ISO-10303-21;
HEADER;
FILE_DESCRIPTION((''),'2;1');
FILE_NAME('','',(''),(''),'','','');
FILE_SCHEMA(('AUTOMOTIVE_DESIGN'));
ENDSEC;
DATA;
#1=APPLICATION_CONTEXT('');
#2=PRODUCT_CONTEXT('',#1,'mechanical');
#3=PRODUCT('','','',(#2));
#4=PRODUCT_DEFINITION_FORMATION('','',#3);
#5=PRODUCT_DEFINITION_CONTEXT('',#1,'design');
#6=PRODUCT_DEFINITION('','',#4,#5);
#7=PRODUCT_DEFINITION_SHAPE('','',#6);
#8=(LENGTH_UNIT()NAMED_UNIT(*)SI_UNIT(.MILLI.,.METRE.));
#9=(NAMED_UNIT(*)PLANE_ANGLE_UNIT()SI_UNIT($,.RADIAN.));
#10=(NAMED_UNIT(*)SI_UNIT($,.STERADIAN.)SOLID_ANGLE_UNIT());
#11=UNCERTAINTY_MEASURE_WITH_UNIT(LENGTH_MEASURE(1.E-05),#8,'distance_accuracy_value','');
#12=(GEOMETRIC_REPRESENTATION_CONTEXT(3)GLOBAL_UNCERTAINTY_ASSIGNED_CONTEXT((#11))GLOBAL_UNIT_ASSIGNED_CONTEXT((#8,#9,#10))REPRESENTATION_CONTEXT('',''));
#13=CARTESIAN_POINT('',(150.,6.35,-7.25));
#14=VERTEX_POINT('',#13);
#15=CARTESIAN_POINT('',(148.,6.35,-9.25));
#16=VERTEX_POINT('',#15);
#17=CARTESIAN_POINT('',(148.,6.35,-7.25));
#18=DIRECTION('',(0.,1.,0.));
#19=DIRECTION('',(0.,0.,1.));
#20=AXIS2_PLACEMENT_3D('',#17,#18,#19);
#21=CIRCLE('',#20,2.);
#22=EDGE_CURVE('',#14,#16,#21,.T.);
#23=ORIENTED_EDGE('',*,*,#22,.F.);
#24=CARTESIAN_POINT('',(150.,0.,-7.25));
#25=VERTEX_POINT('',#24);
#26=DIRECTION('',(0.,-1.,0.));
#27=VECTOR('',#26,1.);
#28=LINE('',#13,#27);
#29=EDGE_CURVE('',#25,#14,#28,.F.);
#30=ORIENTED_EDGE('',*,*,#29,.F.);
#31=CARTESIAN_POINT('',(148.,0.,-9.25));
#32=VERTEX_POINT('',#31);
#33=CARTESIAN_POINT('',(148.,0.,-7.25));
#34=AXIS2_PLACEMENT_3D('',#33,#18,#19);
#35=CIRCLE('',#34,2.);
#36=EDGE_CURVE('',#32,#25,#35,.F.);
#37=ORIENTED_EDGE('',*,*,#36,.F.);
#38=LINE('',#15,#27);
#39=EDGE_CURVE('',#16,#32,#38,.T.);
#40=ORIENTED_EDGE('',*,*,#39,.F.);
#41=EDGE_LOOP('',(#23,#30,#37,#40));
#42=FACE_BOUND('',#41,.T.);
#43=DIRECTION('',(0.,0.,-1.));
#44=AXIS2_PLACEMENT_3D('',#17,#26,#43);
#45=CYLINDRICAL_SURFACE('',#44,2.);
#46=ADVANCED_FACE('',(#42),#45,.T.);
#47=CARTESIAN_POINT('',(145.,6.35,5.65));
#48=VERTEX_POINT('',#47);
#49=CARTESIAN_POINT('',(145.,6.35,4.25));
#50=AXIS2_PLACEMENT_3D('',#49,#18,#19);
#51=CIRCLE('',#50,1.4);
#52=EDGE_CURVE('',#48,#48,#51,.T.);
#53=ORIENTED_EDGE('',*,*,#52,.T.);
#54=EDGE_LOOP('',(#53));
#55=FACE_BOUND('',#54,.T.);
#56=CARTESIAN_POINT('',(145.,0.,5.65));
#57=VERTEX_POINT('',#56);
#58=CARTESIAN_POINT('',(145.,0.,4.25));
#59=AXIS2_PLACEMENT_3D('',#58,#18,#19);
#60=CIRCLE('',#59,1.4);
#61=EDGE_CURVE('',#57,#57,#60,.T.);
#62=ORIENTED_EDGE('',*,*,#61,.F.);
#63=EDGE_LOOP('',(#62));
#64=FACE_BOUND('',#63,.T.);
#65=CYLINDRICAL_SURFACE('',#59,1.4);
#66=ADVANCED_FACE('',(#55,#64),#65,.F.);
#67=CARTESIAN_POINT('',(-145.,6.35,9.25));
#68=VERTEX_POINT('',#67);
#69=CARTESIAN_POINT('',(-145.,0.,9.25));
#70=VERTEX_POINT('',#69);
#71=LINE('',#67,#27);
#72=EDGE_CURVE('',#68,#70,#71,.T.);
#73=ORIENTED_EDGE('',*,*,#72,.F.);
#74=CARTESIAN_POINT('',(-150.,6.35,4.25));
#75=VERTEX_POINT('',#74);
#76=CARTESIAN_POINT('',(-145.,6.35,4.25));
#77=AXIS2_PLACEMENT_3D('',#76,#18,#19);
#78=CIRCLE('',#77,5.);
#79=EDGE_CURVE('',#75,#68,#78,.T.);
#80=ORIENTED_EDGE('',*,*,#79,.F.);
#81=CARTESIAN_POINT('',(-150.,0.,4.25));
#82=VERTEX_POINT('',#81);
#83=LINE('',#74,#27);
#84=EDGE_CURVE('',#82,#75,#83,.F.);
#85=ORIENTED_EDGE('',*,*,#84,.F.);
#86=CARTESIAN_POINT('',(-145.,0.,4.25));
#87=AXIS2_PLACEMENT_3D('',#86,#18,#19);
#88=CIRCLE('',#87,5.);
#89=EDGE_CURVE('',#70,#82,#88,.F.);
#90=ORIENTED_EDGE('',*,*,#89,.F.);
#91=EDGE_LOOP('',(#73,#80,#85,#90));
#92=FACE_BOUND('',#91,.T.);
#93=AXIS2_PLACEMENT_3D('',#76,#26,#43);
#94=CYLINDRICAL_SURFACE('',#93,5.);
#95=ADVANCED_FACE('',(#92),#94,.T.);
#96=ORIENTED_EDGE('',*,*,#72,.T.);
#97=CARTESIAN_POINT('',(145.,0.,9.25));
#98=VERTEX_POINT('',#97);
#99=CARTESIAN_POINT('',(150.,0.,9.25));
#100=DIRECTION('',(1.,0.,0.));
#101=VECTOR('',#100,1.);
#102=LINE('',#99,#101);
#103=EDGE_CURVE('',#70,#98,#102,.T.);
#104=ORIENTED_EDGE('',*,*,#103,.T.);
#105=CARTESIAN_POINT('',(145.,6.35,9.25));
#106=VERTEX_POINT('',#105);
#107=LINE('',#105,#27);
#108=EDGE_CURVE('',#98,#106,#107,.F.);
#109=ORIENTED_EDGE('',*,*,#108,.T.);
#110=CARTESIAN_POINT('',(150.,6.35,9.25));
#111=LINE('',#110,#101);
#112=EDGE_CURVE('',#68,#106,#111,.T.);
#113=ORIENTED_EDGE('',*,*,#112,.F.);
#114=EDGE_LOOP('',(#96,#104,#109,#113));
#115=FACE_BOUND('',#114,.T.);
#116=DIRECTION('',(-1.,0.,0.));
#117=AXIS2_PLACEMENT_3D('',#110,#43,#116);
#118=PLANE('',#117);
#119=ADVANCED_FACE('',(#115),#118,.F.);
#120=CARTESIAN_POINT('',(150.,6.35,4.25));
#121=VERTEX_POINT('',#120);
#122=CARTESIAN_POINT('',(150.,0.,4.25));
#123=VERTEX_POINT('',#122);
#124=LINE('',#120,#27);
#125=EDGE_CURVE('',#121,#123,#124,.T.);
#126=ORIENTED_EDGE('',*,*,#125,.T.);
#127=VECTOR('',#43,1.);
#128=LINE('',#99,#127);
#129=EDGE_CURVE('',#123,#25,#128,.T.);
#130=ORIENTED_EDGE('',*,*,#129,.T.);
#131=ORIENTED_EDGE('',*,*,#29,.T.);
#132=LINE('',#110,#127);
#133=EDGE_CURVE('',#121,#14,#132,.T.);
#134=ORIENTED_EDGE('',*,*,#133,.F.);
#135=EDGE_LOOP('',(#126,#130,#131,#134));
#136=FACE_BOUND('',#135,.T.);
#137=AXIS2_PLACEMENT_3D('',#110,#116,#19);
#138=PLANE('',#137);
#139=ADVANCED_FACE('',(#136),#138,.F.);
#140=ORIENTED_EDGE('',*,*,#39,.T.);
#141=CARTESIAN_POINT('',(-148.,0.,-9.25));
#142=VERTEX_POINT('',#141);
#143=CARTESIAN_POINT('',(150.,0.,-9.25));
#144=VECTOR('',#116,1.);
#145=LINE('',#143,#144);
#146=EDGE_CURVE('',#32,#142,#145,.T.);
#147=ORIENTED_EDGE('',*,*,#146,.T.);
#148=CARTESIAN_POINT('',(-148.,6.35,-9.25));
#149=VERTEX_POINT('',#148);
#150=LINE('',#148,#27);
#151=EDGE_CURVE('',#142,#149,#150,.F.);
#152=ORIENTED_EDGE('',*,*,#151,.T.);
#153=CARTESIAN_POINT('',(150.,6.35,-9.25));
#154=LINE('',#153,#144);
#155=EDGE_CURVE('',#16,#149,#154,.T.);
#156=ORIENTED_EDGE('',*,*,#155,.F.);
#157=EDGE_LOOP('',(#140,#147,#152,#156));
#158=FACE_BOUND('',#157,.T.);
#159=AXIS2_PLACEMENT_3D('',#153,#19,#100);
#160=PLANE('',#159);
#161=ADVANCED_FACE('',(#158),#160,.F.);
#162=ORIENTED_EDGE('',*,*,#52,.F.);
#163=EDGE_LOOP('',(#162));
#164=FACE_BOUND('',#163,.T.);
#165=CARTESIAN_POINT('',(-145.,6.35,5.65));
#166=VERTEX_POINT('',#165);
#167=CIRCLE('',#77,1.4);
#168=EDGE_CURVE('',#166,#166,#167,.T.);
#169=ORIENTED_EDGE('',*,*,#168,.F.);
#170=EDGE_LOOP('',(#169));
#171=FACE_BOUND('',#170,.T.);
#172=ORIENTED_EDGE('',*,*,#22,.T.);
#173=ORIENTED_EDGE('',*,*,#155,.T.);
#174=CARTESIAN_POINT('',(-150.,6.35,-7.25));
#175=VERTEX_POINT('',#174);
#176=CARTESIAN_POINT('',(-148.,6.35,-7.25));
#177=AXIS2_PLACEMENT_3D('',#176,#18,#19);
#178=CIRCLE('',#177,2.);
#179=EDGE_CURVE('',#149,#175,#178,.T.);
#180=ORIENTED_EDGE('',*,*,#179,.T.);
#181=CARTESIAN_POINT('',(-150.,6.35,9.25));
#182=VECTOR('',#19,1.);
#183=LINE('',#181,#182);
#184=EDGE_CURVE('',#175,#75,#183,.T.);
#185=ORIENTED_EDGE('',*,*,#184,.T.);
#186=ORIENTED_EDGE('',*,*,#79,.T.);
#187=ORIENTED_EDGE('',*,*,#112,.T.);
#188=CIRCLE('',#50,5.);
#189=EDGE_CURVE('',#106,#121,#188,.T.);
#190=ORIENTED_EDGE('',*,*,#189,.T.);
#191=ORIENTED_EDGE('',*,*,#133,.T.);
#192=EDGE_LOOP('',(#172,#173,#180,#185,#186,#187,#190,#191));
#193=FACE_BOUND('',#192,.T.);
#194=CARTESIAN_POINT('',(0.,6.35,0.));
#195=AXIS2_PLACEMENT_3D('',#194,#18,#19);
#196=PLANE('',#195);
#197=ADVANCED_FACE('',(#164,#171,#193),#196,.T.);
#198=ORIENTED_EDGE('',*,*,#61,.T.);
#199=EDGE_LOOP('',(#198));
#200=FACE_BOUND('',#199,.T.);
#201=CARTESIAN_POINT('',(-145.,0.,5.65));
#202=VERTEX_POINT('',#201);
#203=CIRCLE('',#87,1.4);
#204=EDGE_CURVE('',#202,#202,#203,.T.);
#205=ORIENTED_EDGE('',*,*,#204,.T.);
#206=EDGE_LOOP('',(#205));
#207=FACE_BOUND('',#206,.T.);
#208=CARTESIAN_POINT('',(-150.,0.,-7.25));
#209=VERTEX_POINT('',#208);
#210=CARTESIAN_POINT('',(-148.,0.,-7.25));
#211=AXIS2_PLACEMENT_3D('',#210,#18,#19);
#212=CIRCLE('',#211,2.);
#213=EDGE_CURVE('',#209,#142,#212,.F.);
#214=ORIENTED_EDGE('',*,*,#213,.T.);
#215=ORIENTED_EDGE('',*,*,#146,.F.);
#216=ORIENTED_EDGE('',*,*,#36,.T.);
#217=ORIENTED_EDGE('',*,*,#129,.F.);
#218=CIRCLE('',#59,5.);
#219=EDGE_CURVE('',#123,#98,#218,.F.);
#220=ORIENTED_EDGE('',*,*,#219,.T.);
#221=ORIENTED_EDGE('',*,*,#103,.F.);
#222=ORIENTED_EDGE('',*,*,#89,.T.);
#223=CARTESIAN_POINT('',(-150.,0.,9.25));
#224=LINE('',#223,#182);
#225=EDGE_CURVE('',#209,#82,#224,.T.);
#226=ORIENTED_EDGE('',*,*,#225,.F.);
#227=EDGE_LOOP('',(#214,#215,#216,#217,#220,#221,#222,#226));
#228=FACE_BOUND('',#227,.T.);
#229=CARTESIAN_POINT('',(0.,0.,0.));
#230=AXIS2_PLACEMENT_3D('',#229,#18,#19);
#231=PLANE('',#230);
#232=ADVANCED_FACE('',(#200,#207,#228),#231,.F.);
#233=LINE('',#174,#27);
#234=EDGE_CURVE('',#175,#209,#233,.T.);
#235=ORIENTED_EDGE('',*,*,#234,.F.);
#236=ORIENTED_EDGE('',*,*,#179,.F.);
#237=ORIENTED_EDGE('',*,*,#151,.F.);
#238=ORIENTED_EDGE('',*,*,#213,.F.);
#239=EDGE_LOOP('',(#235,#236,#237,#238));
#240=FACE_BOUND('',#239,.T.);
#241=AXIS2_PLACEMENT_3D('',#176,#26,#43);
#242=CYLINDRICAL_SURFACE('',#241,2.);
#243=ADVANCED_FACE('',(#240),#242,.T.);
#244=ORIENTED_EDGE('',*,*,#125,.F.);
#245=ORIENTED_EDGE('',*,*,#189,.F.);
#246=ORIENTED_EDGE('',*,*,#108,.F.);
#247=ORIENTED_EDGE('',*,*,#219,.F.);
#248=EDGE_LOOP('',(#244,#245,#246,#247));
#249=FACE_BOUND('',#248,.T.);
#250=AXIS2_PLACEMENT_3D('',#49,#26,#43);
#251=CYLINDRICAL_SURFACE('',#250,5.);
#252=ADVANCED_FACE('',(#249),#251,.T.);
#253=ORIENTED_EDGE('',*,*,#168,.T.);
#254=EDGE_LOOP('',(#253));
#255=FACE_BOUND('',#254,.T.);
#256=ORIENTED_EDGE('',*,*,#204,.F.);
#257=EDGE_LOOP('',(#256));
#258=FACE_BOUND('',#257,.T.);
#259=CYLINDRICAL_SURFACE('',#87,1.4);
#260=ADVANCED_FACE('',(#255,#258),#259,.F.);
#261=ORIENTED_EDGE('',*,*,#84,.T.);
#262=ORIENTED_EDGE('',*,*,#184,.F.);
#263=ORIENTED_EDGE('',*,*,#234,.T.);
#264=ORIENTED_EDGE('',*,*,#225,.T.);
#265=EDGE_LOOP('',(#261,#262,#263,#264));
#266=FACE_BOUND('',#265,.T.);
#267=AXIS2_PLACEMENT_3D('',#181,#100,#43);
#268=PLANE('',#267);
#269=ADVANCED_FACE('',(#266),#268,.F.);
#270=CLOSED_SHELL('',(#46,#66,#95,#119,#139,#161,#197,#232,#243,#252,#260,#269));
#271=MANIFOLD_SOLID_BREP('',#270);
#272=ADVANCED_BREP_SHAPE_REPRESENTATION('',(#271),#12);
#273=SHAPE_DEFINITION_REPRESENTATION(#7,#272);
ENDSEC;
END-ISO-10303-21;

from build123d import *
from OCP.BRepFilletAPI import BRepFilletAPI_MakeFillet

# Parameters (mm, degrees)
SKETCH1_W           = 300
SKETCH1_H           = 18.5
BOSS_EXTRUDE1_DEPTH = 6.35
FILLET1_R1          = 5
FILLET1_R2          = 2
SKETCH2_R           = 1.4
CUT_EXTRUDE1_DEPTH  = 151.419031376


with BuildPart() as part:
    # Sketch1 → Boss-Extrude1 (new body)
    with BuildSketch(Plane(origin=(0, 0, 0), x_dir=(1, 0, 0), z_dir=(0, 1, 0))):
        Rectangle(SKETCH1_W, SKETCH1_H)
    extrude(amount=BOSS_EXTRUDE1_DEPTH)

    # Fillet1: one fillet with a radius per group of edges: ONE call of the kernel's fillet builder (fillet() takes one radius for all edges)
    fillet1_edges_1 = [part.edges().sort_by_distance(p)[0] for p in [
        (-150, 3.175, 9.25),
        (150, 3.175, 9.25),
    ]]
    fillet1_edges_2 = [part.edges().sort_by_distance(p)[0] for p in [
        (-150, 3.175, -9.25),
        (150, 3.175, -9.25),
    ]]
    fillet1 = BRepFilletAPI_MakeFillet(part.part.solid().wrapped)
    for e in fillet1_edges_1:
        fillet1.Add(FILLET1_R1, e.wrapped)
    for e in fillet1_edges_2:
        fillet1.Add(FILLET1_R2, e.wrapped)
    add(Compound.cast(fillet1.Shape()), mode=Mode.REPLACE)

    # Sketch2 → Cut-Extrude1 (cut, through all)
    with BuildSketch(Plane(origin=(0, 6.35, 0), x_dir=(1, 0, 0), z_dir=(0, 1, 0))):
        with Locations((-145, -4.25)):
            Circle(SKETCH2_R)
        with Locations((145, -4.25)):
            Circle(SKETCH2_R)
    extrude(amount=-CUT_EXTRUDE1_DEPTH, mode=Mode.SUBTRACT)


solid = part.part
